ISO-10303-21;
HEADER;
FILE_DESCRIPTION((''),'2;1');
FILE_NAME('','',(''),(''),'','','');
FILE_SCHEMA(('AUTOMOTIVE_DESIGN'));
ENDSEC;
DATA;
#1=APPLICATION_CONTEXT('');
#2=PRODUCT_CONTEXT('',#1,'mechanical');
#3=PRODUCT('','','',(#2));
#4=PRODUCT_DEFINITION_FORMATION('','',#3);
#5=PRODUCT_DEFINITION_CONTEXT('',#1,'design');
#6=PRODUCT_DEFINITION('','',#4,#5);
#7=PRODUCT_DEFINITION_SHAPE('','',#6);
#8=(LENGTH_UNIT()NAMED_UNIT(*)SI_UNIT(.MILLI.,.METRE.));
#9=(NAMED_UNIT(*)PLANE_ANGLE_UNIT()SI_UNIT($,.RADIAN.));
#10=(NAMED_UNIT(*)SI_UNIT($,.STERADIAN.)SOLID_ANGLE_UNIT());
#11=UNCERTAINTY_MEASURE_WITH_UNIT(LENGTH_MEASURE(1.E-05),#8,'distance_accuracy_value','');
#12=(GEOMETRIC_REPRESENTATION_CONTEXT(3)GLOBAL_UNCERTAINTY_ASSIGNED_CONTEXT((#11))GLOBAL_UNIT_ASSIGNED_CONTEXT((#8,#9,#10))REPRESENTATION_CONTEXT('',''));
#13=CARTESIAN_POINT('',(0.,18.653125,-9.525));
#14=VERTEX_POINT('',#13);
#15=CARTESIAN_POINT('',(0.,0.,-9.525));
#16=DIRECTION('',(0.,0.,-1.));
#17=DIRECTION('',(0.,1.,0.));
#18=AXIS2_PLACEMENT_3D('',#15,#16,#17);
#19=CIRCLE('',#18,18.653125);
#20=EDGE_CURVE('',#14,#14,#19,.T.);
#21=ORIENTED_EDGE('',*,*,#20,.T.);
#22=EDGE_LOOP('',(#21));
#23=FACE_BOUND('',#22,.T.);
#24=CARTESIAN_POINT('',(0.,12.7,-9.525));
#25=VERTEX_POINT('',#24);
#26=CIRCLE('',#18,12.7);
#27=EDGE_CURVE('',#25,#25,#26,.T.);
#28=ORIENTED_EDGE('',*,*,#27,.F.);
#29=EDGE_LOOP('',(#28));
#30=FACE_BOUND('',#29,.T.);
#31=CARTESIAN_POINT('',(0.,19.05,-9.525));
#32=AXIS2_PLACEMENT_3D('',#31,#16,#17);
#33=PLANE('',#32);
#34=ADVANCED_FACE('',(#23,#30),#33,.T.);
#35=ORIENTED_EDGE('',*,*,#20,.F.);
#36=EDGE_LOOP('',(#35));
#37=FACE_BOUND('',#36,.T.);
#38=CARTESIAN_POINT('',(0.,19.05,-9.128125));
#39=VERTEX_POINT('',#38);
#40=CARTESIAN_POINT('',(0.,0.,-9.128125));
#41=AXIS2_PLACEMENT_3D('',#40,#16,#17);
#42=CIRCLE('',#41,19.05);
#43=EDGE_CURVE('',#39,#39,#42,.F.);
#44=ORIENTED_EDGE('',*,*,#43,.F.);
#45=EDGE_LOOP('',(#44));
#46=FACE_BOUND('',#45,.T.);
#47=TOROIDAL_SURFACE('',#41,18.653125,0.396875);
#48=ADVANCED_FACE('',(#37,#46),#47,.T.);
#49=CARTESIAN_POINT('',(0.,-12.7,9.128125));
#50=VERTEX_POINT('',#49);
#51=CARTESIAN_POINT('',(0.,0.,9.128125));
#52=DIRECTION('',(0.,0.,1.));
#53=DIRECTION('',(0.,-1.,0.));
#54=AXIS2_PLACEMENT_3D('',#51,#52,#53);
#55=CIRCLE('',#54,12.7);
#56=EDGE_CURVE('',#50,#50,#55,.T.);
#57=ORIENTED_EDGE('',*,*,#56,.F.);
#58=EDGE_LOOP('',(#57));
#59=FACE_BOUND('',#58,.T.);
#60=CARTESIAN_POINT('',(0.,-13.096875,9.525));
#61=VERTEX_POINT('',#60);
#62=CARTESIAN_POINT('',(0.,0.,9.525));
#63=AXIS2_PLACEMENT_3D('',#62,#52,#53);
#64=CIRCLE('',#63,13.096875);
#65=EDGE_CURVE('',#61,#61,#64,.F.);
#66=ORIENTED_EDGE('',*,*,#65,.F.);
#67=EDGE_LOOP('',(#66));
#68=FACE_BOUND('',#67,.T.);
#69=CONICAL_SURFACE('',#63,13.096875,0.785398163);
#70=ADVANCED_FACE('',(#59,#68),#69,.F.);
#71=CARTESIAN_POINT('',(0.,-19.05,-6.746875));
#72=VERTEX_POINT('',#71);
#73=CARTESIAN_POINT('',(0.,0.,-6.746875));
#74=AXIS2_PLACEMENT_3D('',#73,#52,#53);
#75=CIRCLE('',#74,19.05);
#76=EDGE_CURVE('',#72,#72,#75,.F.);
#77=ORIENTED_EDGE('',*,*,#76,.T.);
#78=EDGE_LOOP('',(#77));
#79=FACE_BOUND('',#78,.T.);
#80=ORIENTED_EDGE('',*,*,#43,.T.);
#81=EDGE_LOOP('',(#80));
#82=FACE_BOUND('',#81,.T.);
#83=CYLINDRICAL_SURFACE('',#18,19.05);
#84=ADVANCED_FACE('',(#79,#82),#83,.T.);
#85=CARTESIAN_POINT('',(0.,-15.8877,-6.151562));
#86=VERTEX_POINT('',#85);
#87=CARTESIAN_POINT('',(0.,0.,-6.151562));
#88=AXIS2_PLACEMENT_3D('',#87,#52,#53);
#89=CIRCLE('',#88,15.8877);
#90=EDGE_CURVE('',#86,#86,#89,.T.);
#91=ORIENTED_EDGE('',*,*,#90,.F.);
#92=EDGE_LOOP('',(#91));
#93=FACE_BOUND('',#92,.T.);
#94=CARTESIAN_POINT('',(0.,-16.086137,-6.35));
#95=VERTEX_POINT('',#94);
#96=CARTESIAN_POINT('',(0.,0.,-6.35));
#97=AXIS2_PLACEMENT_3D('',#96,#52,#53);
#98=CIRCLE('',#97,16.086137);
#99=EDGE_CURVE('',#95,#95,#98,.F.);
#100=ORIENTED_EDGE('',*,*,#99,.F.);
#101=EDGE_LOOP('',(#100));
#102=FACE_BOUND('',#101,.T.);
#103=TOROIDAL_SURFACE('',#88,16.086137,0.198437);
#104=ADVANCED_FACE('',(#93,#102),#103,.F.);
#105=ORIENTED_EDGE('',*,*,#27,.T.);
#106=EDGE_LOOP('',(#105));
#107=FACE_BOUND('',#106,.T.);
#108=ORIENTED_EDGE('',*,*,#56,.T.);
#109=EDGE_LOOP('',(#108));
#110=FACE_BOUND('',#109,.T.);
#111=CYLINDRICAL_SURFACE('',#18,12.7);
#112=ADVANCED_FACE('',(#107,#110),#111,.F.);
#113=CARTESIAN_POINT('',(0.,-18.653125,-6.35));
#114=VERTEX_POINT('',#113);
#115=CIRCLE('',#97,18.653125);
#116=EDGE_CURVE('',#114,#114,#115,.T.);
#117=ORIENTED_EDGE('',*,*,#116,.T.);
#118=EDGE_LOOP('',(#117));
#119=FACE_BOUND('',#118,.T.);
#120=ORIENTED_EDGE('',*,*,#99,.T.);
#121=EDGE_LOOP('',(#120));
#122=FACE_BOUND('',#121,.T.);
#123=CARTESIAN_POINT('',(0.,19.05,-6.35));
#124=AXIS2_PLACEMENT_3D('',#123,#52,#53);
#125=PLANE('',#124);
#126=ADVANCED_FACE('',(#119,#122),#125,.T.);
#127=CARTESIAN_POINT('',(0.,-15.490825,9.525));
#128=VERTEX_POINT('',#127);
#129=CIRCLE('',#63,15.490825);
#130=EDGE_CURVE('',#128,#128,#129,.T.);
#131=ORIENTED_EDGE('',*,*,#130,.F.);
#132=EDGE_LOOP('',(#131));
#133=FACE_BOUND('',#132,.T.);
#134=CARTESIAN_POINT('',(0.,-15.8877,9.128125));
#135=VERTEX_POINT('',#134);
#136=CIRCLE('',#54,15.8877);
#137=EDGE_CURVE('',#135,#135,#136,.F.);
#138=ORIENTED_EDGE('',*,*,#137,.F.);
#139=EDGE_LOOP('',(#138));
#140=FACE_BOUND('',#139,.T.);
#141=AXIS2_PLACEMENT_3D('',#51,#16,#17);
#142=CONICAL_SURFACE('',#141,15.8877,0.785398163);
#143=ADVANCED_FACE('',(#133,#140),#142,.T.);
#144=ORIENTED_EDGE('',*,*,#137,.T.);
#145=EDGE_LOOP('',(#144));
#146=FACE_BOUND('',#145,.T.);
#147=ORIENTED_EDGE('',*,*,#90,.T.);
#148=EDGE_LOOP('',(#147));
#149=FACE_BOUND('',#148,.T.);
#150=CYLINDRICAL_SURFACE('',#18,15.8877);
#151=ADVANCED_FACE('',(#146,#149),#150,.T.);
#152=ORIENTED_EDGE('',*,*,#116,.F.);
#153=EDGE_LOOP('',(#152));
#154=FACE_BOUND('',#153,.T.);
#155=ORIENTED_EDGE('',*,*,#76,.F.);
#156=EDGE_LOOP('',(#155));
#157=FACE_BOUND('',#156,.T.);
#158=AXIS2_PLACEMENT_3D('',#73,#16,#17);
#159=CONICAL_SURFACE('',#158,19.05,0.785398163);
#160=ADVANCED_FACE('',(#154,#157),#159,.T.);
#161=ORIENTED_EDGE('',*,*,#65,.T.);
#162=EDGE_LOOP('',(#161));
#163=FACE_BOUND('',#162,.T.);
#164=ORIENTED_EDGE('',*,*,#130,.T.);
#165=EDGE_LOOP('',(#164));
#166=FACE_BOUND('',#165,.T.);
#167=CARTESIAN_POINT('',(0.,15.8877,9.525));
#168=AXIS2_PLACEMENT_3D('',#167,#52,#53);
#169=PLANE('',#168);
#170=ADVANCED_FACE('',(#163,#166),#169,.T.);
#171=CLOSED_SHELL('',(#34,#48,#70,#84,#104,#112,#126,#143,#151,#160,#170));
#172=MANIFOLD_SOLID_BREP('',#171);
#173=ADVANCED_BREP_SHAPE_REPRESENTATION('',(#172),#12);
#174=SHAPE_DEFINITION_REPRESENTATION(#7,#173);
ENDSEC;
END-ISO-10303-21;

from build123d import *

# Parameters (mm, degrees)
CHAMFER1_SIZE = 0.396875
FILLET1_R     = 0.396875
FILLET2_R     = 0.1984375


with BuildPart() as part:
    # Sketch3 → Revolve1 (revolve)
    with BuildSketch(Plane(origin=(0, 0, 0), x_dir=(0, 0, -1), z_dir=(1, 0, 0))):
        Polygon((9.525, 19.05), (6.35, 19.05), (6.35, 15.8877), (-9.525, 15.8877), (-9.525, 12.7), (9.525, 12.7), align=None)
    revolve(axis=Axis((0, 0, -9.525), (0, 0, 1)))

    # Chamfer1
    chamfer1_edges = [part.edges().sort_by_distance(p)[0] for p in [
        (0, -12.7, 9.525),
        (0, -15.8877, 9.525),
        (0, -19.05, -6.35),
    ]]
    chamfer(chamfer1_edges, length=CHAMFER1_SIZE)

    # Fillet1
    fillet1_edges = [part.edges().sort_by_distance(p)[0] for p in [
        (0, -19.05, -9.525),
    ]]
    fillet(fillet1_edges, radius=FILLET1_R)

    # Fillet2
    fillet2_edges = [part.edges().sort_by_distance(p)[0] for p in [
        (0, -15.8877, -6.35),
    ]]
    fillet(fillet2_edges, radius=FILLET2_R)


solid = part.part
